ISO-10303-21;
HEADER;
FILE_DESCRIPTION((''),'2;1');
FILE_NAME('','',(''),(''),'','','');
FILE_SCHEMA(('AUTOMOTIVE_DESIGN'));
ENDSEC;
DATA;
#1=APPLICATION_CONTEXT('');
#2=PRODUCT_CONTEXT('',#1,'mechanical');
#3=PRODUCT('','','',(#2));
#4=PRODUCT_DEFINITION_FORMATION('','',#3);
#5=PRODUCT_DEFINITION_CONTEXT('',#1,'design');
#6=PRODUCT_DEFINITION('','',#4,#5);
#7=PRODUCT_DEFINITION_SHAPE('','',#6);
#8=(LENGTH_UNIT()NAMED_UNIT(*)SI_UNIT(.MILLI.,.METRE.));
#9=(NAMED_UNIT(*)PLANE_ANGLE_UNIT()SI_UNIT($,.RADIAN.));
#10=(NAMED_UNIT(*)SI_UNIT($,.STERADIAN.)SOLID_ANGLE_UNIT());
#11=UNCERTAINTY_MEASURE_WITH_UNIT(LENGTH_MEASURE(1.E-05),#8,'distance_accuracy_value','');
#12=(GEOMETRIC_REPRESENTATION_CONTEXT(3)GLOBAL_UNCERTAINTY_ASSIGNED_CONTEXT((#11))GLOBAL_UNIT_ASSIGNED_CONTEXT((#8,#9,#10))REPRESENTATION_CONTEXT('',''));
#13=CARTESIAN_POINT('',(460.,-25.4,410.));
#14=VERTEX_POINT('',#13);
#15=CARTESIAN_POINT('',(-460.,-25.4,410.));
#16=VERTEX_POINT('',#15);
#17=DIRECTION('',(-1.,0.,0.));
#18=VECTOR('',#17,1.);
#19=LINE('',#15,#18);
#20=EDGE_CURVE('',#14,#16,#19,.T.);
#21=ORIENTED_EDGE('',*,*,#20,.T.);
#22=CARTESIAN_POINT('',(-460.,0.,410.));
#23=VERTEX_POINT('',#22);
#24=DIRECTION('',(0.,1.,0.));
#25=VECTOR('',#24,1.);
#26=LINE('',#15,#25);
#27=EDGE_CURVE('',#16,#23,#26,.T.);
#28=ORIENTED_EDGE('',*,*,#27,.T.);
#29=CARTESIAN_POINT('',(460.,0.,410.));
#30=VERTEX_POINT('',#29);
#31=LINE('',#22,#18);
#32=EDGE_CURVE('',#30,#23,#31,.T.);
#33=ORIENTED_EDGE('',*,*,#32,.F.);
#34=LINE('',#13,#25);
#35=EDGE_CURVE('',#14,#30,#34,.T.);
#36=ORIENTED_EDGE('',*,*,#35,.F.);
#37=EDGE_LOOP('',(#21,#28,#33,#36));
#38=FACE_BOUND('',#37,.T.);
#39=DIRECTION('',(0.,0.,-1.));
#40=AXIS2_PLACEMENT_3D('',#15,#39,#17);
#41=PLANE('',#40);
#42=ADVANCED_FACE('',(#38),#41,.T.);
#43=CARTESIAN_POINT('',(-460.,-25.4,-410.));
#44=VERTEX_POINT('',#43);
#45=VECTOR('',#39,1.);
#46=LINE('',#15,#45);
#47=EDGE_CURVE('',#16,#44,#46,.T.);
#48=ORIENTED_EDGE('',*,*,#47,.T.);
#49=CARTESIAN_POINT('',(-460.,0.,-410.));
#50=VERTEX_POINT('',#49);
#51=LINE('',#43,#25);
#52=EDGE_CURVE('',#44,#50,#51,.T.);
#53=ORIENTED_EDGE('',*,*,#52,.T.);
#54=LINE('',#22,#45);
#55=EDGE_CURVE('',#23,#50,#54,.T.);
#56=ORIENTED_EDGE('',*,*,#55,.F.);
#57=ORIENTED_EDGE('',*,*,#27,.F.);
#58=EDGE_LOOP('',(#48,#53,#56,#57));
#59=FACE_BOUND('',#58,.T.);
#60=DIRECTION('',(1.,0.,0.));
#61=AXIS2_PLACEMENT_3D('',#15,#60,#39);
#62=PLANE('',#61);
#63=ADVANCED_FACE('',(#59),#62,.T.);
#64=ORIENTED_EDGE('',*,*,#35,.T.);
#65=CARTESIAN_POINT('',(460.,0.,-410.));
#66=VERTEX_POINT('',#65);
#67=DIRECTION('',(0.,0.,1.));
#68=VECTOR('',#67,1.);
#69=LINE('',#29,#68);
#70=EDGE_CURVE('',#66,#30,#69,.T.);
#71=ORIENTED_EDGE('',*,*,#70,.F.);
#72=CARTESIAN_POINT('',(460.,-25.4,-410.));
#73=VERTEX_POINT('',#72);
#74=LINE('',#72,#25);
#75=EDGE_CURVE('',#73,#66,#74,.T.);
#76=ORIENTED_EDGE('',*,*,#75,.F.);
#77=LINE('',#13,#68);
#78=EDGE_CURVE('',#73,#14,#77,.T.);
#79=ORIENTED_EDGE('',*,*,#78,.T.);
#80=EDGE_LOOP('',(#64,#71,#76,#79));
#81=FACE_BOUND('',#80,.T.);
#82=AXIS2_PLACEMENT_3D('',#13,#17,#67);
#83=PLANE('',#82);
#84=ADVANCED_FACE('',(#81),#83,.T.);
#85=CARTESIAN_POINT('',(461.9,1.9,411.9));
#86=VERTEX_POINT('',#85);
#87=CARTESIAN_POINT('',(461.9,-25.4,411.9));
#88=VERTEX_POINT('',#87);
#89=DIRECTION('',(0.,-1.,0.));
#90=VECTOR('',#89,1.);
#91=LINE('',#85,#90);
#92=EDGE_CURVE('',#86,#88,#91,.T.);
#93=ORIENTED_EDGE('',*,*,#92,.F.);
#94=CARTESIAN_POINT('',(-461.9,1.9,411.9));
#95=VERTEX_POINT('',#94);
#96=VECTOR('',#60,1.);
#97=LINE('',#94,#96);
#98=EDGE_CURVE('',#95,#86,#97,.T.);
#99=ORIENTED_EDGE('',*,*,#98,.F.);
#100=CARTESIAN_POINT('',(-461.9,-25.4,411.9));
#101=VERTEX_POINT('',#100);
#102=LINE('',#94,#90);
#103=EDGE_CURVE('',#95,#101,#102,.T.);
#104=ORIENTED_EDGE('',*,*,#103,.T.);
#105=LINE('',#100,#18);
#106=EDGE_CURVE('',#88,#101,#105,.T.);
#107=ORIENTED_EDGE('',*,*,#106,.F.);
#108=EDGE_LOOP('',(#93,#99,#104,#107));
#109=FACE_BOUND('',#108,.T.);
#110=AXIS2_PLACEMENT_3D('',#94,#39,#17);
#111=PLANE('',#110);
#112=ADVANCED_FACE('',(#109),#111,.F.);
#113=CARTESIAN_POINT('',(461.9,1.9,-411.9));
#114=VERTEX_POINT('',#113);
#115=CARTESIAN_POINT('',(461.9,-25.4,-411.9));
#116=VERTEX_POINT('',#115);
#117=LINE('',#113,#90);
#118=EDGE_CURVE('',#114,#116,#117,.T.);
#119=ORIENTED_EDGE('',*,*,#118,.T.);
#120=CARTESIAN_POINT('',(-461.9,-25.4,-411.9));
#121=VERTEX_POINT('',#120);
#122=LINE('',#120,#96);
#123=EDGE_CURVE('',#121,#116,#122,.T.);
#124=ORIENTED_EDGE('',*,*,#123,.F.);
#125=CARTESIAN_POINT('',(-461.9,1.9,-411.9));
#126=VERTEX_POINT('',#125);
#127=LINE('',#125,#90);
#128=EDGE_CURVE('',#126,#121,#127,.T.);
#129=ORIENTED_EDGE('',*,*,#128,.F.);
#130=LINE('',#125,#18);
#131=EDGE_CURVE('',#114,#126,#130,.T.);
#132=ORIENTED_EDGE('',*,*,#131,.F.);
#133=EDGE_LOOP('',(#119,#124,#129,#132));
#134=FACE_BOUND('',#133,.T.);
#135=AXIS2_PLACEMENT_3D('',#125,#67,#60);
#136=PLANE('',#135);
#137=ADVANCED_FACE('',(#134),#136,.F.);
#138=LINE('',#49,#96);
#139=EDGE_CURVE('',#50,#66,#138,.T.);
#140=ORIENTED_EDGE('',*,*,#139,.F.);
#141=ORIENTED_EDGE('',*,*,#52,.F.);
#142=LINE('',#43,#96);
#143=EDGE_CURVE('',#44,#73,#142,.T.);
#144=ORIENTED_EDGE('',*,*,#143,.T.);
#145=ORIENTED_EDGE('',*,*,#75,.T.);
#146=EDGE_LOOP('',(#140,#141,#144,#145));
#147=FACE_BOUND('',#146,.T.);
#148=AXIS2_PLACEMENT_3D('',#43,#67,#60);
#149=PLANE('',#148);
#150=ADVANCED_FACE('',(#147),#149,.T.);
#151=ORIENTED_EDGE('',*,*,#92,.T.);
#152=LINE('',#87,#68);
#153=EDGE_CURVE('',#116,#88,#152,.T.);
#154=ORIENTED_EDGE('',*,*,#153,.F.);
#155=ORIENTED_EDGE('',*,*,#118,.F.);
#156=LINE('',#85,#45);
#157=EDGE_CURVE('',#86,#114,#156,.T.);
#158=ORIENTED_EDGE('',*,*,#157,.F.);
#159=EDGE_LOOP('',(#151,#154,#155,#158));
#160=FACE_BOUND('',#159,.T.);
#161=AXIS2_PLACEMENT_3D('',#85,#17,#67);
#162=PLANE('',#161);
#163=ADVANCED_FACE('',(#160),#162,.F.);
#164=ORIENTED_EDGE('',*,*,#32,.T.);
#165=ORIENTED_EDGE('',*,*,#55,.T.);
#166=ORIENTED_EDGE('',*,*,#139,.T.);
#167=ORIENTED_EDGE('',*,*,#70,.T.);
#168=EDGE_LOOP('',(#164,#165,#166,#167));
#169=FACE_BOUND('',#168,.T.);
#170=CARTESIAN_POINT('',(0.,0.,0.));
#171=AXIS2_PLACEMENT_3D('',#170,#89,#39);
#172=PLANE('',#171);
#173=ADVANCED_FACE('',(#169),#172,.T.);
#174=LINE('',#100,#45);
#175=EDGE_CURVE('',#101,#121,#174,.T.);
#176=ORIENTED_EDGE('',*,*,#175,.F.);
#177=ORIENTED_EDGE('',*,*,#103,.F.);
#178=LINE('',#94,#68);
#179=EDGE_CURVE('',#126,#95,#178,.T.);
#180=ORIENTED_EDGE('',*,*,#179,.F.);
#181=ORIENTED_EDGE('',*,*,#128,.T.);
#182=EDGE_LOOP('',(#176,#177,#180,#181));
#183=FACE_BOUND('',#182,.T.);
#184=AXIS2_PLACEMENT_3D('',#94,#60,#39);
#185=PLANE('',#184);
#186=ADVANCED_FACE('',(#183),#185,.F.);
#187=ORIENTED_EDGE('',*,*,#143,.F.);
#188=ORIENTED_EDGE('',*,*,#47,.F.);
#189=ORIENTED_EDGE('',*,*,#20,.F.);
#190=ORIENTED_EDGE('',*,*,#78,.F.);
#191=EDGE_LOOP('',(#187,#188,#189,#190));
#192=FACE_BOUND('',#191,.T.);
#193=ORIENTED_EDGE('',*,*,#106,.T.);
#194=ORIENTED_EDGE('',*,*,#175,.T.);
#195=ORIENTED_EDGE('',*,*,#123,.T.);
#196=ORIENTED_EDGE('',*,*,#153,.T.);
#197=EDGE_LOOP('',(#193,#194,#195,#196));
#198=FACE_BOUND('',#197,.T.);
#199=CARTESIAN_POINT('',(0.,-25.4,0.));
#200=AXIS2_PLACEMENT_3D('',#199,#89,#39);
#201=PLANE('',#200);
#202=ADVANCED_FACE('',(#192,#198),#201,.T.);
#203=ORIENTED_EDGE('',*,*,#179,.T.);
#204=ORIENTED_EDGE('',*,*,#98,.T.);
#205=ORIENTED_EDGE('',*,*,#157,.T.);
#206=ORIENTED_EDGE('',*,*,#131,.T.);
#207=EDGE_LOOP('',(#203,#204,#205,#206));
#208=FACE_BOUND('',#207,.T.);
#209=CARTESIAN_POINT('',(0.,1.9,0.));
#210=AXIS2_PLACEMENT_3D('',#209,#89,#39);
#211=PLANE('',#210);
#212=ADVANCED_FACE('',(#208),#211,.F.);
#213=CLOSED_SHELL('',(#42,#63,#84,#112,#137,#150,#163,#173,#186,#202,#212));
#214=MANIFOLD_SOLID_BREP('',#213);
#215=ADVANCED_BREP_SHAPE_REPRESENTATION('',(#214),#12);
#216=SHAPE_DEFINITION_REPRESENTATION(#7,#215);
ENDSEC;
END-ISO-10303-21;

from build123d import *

# Parameters (mm, degrees)
CROQUIS1_W              = 923.8
CROQUIS1_H              = 823.8
SALIENTE_EXTRUIR1_DEPTH = 1.9
CROQUIS2_W              = 923.8
CROQUIS2_H              = 823.8
CROQUIS2_W_2            = 920
CROQUIS2_H_2            = 820
SALIENTE_EXTRUIR2_DEPTH = 25.4


with BuildPart() as part:
    # Croquis1 → Saliente-Extruir1 (new body)
    with BuildSketch(Plane(origin=(0, 0, 0), x_dir=(1, 0, 0), z_dir=(0, 1, 0))):
        Rectangle(CROQUIS1_W, CROQUIS1_H)
    extrude(amount=SALIENTE_EXTRUIR1_DEPTH)

    # Croquis2 → Saliente-Extruir2 (add)
    with BuildSketch(Plane.XZ):
        Rectangle(CROQUIS2_W, CROQUIS2_H)
        Rectangle(CROQUIS2_W_2, CROQUIS2_H_2, mode=Mode.SUBTRACT)
    extrude(amount=SALIENTE_EXTRUIR2_DEPTH)


solid = part.part
